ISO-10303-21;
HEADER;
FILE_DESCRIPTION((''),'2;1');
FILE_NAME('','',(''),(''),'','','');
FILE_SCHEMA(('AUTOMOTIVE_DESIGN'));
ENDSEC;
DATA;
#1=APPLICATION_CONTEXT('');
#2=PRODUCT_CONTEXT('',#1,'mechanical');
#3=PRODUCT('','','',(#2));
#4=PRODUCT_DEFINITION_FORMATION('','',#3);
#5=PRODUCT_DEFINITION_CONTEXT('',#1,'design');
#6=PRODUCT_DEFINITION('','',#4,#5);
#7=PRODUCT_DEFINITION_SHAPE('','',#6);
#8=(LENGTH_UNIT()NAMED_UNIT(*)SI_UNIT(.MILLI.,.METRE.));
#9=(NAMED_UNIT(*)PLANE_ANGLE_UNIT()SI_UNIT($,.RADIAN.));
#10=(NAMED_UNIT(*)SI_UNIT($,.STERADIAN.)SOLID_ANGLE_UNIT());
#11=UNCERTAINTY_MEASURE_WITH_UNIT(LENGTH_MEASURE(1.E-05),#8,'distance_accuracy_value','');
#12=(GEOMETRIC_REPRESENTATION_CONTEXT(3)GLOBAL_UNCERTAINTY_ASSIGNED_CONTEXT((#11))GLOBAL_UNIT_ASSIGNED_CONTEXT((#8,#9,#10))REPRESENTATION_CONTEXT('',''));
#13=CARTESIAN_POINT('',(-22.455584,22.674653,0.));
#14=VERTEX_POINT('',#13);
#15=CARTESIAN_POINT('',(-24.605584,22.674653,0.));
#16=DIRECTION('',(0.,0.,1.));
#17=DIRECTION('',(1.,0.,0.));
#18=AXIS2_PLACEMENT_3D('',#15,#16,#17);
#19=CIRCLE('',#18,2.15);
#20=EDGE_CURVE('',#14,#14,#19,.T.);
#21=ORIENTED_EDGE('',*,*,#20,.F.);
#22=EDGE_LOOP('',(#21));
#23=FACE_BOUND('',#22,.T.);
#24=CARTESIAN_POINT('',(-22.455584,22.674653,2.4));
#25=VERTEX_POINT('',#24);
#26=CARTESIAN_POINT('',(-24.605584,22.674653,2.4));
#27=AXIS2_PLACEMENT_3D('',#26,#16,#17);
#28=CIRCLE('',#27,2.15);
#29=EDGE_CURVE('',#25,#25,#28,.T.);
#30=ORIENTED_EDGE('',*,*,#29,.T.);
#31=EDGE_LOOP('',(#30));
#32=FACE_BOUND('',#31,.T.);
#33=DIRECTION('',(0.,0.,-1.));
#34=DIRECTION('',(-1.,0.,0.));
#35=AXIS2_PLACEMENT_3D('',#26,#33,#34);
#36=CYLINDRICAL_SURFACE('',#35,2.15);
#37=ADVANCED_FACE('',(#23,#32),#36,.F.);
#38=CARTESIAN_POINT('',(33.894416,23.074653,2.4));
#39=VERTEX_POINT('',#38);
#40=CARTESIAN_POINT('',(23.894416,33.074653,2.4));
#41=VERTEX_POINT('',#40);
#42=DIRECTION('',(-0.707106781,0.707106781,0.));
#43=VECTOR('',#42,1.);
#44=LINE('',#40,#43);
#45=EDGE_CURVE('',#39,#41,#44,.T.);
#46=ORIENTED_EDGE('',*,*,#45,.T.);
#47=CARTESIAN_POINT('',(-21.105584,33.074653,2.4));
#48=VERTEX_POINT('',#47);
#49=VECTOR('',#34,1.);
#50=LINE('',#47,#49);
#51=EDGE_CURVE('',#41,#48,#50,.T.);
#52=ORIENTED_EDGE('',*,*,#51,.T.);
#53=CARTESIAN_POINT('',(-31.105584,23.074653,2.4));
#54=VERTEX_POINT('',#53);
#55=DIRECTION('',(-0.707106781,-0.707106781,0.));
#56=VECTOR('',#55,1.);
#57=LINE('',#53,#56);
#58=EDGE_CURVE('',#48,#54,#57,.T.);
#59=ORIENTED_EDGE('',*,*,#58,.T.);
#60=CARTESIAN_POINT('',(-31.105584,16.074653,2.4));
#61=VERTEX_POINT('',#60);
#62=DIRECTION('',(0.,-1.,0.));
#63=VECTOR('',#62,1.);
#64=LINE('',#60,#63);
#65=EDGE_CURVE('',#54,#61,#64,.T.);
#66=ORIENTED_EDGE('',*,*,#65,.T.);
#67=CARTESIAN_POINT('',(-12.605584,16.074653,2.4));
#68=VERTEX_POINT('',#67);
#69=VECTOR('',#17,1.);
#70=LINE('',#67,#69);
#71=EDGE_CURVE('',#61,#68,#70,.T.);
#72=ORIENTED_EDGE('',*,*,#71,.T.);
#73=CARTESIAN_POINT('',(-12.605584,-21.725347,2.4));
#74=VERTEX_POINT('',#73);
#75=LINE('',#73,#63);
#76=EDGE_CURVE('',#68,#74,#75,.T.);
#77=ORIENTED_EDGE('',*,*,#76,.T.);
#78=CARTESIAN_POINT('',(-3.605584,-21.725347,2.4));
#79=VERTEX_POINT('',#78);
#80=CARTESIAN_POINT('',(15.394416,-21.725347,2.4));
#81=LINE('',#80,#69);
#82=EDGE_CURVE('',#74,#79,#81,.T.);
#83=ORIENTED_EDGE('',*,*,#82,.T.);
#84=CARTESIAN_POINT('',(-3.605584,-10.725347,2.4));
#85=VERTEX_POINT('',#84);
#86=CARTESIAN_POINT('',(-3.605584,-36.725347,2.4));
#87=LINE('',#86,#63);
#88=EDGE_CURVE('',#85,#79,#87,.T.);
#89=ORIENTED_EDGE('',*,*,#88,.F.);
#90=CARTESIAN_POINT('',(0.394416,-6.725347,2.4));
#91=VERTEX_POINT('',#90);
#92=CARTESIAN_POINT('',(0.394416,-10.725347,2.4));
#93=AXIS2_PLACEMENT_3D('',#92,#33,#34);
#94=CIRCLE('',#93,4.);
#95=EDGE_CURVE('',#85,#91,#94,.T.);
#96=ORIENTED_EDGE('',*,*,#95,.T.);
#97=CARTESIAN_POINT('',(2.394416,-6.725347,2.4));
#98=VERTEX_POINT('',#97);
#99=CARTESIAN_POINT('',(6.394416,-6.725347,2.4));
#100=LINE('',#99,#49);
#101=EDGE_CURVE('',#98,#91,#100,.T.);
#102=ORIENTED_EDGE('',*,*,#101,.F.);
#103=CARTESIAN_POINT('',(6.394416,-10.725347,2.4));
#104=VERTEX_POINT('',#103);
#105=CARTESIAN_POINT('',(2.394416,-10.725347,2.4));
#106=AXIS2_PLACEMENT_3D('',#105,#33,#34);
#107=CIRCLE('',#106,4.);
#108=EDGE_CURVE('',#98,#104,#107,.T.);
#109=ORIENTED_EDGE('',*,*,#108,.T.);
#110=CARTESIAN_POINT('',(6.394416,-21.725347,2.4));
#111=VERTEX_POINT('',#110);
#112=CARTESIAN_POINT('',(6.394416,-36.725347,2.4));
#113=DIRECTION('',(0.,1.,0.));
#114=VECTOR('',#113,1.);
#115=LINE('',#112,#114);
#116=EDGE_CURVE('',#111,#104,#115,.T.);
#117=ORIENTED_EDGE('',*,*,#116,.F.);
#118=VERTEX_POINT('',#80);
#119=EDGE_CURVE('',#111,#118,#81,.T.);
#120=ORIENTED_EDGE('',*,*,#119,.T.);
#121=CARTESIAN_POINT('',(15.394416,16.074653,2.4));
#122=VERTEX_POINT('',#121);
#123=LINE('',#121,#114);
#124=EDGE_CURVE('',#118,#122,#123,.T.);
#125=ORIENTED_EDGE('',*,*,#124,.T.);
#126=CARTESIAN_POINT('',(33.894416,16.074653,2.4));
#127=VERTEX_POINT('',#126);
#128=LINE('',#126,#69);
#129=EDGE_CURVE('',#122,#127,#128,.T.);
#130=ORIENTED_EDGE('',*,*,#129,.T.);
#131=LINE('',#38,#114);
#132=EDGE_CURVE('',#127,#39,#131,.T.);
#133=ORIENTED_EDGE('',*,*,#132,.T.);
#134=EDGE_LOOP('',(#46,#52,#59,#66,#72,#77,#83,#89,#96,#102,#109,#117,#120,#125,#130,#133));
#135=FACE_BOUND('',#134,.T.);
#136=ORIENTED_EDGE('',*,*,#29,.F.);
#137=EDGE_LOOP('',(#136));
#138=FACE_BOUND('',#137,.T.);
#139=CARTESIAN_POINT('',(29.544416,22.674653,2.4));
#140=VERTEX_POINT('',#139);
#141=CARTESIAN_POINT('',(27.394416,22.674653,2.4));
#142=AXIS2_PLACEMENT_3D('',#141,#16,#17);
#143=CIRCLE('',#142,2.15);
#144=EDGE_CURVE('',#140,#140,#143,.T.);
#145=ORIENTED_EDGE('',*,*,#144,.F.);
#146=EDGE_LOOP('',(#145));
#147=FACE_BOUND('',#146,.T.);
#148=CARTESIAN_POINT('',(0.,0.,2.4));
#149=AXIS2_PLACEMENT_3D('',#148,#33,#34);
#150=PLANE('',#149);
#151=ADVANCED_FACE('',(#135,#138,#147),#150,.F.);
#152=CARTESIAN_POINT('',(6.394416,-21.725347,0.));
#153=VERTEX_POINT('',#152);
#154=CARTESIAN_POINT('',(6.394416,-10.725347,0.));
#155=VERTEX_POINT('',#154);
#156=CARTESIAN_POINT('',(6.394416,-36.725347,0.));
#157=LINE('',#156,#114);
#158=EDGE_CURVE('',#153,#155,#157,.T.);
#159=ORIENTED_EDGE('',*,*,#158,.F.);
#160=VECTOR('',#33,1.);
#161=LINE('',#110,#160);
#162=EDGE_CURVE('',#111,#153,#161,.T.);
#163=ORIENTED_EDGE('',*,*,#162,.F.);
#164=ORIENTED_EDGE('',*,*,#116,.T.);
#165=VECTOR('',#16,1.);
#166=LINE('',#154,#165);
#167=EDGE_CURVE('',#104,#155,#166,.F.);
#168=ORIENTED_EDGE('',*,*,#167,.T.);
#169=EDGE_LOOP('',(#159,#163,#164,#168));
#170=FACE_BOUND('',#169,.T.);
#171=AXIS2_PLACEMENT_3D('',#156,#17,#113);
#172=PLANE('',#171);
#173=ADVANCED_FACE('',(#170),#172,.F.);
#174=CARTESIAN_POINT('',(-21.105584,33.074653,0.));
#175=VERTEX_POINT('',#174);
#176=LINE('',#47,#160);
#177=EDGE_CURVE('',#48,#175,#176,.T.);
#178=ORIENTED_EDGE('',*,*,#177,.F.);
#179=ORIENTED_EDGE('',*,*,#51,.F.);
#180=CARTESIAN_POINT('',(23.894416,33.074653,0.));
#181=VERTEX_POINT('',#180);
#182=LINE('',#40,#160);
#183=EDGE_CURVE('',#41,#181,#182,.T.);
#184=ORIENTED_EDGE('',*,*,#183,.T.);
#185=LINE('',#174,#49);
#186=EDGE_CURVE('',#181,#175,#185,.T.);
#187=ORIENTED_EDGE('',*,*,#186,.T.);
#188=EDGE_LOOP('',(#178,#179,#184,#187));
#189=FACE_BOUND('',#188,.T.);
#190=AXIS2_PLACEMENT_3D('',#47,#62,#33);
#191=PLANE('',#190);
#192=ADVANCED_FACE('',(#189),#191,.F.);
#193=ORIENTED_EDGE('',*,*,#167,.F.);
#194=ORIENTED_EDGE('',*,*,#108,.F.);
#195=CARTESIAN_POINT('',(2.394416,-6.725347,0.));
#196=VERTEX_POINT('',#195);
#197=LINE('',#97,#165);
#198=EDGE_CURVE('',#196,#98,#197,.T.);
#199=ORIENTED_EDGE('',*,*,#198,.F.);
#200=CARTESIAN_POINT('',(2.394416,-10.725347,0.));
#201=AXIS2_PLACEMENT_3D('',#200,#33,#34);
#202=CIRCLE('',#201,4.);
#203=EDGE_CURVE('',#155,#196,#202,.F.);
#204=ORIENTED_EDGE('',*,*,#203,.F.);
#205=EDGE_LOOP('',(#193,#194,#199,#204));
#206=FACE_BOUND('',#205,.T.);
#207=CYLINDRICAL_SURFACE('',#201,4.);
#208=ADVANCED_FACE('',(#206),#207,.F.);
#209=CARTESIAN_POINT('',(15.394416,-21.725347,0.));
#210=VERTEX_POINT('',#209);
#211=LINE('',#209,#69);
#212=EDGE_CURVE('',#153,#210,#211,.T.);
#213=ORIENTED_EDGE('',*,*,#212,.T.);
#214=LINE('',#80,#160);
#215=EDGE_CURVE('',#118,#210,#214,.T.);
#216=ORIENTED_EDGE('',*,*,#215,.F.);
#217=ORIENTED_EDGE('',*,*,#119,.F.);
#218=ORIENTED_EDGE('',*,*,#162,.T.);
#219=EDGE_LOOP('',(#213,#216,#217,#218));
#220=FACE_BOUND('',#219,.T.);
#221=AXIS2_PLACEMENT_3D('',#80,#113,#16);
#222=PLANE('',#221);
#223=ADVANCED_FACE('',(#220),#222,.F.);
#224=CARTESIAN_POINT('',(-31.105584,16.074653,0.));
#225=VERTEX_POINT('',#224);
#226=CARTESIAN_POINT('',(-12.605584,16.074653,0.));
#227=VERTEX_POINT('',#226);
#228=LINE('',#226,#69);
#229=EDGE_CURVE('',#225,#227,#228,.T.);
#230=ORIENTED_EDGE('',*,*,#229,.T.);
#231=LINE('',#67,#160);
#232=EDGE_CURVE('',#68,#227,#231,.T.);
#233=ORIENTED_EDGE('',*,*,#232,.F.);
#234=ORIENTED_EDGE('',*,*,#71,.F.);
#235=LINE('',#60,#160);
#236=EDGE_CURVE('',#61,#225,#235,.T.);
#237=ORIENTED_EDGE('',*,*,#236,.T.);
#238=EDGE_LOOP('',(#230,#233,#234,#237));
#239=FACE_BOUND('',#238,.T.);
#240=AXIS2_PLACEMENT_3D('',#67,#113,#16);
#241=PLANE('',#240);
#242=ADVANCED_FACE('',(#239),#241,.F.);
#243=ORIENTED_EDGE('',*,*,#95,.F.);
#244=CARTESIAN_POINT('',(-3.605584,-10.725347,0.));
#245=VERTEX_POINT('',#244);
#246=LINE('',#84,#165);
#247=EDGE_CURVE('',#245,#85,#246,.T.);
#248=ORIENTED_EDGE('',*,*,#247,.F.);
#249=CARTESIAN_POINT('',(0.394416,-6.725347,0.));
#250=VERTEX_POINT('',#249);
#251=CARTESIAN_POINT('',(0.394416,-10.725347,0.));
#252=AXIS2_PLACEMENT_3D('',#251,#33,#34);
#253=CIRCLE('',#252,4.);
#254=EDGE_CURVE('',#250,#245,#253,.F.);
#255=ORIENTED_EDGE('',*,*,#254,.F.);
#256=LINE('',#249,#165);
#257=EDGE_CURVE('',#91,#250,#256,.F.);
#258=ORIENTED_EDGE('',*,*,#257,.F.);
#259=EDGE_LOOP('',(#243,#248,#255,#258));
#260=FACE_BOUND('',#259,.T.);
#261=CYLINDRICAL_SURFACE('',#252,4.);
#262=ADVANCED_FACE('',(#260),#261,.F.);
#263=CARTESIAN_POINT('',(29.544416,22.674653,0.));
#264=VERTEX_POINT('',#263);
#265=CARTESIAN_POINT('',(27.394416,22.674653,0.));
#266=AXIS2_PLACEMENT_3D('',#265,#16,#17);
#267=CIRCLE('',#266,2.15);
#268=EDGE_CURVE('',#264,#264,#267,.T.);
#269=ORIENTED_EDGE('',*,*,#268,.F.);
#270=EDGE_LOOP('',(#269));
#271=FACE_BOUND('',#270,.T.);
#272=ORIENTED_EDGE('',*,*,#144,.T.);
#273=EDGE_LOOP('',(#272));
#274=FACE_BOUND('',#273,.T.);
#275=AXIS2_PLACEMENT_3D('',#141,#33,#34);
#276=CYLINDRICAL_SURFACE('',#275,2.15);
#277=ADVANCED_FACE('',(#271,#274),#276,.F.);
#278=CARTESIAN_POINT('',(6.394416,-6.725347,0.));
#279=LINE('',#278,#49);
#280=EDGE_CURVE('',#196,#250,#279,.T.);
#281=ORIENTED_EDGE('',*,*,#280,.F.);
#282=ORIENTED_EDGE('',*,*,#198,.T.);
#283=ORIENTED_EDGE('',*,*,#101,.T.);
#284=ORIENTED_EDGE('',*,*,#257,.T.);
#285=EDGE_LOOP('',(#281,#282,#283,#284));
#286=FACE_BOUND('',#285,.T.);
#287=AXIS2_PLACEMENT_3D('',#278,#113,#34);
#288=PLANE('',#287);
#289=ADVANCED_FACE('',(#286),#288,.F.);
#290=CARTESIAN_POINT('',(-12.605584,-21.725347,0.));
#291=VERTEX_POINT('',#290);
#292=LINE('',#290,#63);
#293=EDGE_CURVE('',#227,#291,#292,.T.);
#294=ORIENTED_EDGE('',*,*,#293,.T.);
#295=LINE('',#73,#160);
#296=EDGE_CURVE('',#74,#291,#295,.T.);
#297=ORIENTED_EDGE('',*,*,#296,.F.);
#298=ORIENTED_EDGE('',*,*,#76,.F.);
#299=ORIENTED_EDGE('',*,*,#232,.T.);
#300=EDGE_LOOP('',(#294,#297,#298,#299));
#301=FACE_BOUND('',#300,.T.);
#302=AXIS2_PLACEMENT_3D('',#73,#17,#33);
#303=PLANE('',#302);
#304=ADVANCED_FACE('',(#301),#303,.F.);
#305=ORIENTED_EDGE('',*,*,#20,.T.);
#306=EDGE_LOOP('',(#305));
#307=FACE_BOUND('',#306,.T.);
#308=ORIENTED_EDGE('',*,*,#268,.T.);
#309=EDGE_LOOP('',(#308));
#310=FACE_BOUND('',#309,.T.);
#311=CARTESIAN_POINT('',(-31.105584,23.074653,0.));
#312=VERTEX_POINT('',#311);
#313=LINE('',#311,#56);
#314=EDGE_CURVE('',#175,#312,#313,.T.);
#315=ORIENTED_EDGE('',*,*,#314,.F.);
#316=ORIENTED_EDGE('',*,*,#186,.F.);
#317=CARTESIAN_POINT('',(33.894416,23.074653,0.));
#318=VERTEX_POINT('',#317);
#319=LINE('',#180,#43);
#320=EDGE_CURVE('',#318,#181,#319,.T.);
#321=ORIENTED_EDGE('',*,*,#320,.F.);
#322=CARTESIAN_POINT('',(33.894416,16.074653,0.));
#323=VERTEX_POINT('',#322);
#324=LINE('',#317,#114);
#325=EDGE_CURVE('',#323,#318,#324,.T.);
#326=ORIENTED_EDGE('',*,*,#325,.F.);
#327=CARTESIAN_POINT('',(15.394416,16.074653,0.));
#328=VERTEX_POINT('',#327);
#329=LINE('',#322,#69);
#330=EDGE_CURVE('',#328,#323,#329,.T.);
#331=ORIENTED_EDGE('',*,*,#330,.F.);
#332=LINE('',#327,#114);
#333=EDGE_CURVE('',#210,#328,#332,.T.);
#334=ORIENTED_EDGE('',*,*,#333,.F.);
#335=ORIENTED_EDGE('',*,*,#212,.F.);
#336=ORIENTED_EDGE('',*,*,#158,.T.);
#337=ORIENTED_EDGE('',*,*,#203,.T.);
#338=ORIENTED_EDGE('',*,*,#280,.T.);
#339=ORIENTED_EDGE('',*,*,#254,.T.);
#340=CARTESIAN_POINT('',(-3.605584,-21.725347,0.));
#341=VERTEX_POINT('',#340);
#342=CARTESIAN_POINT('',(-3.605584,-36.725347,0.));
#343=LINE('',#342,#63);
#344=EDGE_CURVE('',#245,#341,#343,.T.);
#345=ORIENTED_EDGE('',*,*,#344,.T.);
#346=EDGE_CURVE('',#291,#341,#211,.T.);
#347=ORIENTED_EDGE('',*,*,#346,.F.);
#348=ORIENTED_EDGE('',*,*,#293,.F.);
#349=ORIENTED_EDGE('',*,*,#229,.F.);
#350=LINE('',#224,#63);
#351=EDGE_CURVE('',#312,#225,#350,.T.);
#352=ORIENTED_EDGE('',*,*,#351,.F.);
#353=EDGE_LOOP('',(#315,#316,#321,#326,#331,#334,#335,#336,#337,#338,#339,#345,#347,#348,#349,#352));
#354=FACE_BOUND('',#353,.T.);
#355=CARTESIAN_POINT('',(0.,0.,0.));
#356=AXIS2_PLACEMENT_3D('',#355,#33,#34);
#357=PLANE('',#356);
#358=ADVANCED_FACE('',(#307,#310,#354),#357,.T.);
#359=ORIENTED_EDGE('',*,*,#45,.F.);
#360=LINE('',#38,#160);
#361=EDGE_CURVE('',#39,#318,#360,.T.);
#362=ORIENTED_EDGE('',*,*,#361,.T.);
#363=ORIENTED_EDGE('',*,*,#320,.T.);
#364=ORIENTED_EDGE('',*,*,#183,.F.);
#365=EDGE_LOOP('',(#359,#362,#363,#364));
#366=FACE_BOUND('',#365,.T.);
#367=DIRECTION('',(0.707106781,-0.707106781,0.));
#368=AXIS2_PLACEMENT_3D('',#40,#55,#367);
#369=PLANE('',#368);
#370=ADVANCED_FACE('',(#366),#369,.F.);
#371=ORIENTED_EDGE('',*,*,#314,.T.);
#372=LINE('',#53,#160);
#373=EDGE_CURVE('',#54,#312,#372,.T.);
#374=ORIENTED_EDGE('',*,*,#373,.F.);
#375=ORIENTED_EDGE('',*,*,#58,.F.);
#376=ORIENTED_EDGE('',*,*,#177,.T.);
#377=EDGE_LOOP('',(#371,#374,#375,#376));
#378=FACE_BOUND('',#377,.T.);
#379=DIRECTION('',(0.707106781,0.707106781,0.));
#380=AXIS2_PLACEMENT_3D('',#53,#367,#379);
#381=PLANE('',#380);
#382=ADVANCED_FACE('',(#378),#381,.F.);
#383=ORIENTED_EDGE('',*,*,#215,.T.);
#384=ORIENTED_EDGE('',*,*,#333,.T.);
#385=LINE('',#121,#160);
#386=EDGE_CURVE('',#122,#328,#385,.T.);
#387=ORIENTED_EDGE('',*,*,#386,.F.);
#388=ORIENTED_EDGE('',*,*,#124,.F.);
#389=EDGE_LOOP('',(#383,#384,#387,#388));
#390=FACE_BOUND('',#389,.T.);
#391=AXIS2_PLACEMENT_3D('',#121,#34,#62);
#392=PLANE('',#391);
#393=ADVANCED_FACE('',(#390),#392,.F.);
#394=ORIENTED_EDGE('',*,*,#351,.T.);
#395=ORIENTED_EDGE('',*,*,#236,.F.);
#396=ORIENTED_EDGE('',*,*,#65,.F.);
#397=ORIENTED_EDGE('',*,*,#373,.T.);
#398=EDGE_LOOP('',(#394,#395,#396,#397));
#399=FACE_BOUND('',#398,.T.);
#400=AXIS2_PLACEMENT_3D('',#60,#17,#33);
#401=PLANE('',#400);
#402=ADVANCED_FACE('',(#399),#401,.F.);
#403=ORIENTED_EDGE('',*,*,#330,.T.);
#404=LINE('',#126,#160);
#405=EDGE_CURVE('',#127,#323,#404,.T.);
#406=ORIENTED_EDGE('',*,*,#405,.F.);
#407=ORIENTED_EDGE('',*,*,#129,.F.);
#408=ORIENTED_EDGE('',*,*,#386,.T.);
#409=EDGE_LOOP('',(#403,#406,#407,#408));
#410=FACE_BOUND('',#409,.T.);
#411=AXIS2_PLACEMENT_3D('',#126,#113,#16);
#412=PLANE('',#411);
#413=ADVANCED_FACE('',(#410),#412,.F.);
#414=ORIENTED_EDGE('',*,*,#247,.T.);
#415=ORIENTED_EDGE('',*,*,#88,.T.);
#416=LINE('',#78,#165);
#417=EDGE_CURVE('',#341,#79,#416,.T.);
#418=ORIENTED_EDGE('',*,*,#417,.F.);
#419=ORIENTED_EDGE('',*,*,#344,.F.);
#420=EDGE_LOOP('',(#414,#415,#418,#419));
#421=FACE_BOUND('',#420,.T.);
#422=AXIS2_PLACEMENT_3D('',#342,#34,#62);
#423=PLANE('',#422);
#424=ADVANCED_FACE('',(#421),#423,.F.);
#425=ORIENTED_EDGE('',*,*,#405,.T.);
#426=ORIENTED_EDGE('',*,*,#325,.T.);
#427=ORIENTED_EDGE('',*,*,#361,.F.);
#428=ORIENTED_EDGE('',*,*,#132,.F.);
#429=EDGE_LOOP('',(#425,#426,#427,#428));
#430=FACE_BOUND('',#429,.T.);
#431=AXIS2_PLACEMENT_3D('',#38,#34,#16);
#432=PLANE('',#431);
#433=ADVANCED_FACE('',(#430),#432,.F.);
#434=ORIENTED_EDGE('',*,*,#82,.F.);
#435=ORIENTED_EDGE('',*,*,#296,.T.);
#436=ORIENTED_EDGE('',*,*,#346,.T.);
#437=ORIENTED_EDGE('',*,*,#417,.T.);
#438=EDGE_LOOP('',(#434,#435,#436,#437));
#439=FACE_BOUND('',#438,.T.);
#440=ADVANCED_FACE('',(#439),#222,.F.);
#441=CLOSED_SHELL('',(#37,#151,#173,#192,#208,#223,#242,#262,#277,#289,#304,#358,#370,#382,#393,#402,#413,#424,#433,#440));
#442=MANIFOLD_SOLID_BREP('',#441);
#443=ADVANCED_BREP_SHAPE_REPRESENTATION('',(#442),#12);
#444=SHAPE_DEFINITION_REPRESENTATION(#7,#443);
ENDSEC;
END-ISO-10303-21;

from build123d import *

# Parameters (mm, degrees)
SKETCH1_R           = 2.15
BOSS_EXTRUDE1_DEPTH = 2.4
SKETCH2_W           = 10
SKETCH2_H           = 30
CUT_EXTRUDE1_DEPTH  = 3.4
FILLET1_R           = 4


with BuildPart() as part:
    # Sketch1 → Boss-Extrude1 (new body)
    with BuildSketch(Plane.XY):
        Polygon((-21.105584483, 33.074652619), (23.894415517, 33.074652619), (33.894415517, 23.074652619), (33.894415517, 16.074652619), (15.394415517, 16.074652619), (15.394415517, -21.725347381), (-12.605584483, -21.725347381), (-12.605584483, 16.074652619), (-31.105584483, 16.074652619), (-31.105584483, 23.074652619), align=None)
        with Locations((-24.605584483, 22.674652619)):
            Circle(SKETCH1_R, mode=Mode.SUBTRACT)
        with Locations((27.394415517, 22.674652619)):
            Circle(SKETCH1_R, mode=Mode.SUBTRACT)
    extrude(amount=BOSS_EXTRUDE1_DEPTH)

    # Sketch2 → Cut-Extrude1 (cut, through all)
    with BuildSketch(Plane.XY.offset(2.4)):
        with Locations((1.394415517, -21.725347381)):
            Rectangle(SKETCH2_W, SKETCH2_H)
    extrude(amount=-CUT_EXTRUDE1_DEPTH, mode=Mode.SUBTRACT)

    # Fillet1
    fillet1_edges = [part.edges().sort_by_distance(p)[0] for p in [
        (6.394415517, -6.725347381, 1.2),
        (-3.605584483, -6.725347381, 1.2),
    ]]
    fillet(fillet1_edges, radius=FILLET1_R)


solid = part.part
